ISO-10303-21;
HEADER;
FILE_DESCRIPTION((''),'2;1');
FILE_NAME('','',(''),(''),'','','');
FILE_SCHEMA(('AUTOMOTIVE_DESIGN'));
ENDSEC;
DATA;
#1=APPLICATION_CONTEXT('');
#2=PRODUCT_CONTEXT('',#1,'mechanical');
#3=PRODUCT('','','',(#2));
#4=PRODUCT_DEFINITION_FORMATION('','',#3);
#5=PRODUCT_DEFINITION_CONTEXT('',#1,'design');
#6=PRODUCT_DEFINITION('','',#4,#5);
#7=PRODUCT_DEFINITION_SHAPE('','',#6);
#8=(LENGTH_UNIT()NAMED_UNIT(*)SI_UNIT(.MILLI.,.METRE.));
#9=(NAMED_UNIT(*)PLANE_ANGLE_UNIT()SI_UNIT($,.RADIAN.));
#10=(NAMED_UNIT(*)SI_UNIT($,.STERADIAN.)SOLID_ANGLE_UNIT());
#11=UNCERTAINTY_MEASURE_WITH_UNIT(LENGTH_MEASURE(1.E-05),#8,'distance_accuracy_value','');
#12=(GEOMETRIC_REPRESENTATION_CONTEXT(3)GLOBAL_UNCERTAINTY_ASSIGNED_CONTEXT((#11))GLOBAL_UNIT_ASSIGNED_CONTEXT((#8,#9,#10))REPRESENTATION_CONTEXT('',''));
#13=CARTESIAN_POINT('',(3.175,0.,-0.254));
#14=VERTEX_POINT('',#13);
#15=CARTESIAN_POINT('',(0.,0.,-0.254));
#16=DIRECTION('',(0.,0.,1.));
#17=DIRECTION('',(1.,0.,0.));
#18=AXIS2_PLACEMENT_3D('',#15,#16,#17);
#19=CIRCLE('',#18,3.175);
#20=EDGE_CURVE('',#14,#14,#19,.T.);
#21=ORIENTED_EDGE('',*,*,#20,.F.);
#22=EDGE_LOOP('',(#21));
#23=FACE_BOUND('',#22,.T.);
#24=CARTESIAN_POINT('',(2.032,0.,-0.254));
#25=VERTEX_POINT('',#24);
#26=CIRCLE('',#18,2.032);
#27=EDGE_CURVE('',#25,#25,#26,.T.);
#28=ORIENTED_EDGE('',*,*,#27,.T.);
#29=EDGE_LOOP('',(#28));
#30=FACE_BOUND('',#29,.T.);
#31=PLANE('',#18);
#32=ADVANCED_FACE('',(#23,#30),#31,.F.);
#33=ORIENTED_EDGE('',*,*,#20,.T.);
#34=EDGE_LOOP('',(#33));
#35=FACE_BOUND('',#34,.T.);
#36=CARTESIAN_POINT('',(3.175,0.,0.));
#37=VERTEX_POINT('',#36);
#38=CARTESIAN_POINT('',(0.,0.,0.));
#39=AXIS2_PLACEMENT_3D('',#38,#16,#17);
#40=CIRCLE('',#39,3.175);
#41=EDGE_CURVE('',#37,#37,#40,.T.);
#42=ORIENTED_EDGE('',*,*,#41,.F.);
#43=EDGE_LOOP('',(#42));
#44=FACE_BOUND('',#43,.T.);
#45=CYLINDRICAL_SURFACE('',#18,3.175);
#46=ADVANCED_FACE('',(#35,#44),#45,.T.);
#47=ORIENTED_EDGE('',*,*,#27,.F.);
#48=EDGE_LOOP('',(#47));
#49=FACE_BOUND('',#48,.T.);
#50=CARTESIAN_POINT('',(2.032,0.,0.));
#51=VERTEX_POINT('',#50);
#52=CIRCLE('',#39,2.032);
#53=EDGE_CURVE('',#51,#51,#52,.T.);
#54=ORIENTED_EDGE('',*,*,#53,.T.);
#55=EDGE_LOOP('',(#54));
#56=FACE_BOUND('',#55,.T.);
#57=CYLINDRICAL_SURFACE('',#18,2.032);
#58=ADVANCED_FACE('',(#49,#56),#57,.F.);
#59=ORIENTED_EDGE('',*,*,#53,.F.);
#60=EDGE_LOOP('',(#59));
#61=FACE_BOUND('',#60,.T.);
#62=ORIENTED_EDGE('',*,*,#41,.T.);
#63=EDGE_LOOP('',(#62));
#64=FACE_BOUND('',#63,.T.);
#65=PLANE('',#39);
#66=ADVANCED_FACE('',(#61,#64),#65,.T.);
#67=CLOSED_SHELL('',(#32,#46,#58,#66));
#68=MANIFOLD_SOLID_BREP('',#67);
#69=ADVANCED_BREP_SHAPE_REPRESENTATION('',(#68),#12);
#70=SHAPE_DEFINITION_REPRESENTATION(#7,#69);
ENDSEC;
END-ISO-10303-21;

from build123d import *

# Parameters (mm, degrees)
SKETCH1_R      = 3.175
SKETCH1_R_2    = 2.032
EXTRUDE1_DEPTH = 0.254


with BuildPart() as part:
    # Sketch1 → Extrude1 (new body)
    with BuildSketch(Plane.XY):
        Circle(SKETCH1_R)
        Circle(SKETCH1_R_2, mode=Mode.SUBTRACT)
    extrude(amount=-EXTRUDE1_DEPTH)


solid = part.part
